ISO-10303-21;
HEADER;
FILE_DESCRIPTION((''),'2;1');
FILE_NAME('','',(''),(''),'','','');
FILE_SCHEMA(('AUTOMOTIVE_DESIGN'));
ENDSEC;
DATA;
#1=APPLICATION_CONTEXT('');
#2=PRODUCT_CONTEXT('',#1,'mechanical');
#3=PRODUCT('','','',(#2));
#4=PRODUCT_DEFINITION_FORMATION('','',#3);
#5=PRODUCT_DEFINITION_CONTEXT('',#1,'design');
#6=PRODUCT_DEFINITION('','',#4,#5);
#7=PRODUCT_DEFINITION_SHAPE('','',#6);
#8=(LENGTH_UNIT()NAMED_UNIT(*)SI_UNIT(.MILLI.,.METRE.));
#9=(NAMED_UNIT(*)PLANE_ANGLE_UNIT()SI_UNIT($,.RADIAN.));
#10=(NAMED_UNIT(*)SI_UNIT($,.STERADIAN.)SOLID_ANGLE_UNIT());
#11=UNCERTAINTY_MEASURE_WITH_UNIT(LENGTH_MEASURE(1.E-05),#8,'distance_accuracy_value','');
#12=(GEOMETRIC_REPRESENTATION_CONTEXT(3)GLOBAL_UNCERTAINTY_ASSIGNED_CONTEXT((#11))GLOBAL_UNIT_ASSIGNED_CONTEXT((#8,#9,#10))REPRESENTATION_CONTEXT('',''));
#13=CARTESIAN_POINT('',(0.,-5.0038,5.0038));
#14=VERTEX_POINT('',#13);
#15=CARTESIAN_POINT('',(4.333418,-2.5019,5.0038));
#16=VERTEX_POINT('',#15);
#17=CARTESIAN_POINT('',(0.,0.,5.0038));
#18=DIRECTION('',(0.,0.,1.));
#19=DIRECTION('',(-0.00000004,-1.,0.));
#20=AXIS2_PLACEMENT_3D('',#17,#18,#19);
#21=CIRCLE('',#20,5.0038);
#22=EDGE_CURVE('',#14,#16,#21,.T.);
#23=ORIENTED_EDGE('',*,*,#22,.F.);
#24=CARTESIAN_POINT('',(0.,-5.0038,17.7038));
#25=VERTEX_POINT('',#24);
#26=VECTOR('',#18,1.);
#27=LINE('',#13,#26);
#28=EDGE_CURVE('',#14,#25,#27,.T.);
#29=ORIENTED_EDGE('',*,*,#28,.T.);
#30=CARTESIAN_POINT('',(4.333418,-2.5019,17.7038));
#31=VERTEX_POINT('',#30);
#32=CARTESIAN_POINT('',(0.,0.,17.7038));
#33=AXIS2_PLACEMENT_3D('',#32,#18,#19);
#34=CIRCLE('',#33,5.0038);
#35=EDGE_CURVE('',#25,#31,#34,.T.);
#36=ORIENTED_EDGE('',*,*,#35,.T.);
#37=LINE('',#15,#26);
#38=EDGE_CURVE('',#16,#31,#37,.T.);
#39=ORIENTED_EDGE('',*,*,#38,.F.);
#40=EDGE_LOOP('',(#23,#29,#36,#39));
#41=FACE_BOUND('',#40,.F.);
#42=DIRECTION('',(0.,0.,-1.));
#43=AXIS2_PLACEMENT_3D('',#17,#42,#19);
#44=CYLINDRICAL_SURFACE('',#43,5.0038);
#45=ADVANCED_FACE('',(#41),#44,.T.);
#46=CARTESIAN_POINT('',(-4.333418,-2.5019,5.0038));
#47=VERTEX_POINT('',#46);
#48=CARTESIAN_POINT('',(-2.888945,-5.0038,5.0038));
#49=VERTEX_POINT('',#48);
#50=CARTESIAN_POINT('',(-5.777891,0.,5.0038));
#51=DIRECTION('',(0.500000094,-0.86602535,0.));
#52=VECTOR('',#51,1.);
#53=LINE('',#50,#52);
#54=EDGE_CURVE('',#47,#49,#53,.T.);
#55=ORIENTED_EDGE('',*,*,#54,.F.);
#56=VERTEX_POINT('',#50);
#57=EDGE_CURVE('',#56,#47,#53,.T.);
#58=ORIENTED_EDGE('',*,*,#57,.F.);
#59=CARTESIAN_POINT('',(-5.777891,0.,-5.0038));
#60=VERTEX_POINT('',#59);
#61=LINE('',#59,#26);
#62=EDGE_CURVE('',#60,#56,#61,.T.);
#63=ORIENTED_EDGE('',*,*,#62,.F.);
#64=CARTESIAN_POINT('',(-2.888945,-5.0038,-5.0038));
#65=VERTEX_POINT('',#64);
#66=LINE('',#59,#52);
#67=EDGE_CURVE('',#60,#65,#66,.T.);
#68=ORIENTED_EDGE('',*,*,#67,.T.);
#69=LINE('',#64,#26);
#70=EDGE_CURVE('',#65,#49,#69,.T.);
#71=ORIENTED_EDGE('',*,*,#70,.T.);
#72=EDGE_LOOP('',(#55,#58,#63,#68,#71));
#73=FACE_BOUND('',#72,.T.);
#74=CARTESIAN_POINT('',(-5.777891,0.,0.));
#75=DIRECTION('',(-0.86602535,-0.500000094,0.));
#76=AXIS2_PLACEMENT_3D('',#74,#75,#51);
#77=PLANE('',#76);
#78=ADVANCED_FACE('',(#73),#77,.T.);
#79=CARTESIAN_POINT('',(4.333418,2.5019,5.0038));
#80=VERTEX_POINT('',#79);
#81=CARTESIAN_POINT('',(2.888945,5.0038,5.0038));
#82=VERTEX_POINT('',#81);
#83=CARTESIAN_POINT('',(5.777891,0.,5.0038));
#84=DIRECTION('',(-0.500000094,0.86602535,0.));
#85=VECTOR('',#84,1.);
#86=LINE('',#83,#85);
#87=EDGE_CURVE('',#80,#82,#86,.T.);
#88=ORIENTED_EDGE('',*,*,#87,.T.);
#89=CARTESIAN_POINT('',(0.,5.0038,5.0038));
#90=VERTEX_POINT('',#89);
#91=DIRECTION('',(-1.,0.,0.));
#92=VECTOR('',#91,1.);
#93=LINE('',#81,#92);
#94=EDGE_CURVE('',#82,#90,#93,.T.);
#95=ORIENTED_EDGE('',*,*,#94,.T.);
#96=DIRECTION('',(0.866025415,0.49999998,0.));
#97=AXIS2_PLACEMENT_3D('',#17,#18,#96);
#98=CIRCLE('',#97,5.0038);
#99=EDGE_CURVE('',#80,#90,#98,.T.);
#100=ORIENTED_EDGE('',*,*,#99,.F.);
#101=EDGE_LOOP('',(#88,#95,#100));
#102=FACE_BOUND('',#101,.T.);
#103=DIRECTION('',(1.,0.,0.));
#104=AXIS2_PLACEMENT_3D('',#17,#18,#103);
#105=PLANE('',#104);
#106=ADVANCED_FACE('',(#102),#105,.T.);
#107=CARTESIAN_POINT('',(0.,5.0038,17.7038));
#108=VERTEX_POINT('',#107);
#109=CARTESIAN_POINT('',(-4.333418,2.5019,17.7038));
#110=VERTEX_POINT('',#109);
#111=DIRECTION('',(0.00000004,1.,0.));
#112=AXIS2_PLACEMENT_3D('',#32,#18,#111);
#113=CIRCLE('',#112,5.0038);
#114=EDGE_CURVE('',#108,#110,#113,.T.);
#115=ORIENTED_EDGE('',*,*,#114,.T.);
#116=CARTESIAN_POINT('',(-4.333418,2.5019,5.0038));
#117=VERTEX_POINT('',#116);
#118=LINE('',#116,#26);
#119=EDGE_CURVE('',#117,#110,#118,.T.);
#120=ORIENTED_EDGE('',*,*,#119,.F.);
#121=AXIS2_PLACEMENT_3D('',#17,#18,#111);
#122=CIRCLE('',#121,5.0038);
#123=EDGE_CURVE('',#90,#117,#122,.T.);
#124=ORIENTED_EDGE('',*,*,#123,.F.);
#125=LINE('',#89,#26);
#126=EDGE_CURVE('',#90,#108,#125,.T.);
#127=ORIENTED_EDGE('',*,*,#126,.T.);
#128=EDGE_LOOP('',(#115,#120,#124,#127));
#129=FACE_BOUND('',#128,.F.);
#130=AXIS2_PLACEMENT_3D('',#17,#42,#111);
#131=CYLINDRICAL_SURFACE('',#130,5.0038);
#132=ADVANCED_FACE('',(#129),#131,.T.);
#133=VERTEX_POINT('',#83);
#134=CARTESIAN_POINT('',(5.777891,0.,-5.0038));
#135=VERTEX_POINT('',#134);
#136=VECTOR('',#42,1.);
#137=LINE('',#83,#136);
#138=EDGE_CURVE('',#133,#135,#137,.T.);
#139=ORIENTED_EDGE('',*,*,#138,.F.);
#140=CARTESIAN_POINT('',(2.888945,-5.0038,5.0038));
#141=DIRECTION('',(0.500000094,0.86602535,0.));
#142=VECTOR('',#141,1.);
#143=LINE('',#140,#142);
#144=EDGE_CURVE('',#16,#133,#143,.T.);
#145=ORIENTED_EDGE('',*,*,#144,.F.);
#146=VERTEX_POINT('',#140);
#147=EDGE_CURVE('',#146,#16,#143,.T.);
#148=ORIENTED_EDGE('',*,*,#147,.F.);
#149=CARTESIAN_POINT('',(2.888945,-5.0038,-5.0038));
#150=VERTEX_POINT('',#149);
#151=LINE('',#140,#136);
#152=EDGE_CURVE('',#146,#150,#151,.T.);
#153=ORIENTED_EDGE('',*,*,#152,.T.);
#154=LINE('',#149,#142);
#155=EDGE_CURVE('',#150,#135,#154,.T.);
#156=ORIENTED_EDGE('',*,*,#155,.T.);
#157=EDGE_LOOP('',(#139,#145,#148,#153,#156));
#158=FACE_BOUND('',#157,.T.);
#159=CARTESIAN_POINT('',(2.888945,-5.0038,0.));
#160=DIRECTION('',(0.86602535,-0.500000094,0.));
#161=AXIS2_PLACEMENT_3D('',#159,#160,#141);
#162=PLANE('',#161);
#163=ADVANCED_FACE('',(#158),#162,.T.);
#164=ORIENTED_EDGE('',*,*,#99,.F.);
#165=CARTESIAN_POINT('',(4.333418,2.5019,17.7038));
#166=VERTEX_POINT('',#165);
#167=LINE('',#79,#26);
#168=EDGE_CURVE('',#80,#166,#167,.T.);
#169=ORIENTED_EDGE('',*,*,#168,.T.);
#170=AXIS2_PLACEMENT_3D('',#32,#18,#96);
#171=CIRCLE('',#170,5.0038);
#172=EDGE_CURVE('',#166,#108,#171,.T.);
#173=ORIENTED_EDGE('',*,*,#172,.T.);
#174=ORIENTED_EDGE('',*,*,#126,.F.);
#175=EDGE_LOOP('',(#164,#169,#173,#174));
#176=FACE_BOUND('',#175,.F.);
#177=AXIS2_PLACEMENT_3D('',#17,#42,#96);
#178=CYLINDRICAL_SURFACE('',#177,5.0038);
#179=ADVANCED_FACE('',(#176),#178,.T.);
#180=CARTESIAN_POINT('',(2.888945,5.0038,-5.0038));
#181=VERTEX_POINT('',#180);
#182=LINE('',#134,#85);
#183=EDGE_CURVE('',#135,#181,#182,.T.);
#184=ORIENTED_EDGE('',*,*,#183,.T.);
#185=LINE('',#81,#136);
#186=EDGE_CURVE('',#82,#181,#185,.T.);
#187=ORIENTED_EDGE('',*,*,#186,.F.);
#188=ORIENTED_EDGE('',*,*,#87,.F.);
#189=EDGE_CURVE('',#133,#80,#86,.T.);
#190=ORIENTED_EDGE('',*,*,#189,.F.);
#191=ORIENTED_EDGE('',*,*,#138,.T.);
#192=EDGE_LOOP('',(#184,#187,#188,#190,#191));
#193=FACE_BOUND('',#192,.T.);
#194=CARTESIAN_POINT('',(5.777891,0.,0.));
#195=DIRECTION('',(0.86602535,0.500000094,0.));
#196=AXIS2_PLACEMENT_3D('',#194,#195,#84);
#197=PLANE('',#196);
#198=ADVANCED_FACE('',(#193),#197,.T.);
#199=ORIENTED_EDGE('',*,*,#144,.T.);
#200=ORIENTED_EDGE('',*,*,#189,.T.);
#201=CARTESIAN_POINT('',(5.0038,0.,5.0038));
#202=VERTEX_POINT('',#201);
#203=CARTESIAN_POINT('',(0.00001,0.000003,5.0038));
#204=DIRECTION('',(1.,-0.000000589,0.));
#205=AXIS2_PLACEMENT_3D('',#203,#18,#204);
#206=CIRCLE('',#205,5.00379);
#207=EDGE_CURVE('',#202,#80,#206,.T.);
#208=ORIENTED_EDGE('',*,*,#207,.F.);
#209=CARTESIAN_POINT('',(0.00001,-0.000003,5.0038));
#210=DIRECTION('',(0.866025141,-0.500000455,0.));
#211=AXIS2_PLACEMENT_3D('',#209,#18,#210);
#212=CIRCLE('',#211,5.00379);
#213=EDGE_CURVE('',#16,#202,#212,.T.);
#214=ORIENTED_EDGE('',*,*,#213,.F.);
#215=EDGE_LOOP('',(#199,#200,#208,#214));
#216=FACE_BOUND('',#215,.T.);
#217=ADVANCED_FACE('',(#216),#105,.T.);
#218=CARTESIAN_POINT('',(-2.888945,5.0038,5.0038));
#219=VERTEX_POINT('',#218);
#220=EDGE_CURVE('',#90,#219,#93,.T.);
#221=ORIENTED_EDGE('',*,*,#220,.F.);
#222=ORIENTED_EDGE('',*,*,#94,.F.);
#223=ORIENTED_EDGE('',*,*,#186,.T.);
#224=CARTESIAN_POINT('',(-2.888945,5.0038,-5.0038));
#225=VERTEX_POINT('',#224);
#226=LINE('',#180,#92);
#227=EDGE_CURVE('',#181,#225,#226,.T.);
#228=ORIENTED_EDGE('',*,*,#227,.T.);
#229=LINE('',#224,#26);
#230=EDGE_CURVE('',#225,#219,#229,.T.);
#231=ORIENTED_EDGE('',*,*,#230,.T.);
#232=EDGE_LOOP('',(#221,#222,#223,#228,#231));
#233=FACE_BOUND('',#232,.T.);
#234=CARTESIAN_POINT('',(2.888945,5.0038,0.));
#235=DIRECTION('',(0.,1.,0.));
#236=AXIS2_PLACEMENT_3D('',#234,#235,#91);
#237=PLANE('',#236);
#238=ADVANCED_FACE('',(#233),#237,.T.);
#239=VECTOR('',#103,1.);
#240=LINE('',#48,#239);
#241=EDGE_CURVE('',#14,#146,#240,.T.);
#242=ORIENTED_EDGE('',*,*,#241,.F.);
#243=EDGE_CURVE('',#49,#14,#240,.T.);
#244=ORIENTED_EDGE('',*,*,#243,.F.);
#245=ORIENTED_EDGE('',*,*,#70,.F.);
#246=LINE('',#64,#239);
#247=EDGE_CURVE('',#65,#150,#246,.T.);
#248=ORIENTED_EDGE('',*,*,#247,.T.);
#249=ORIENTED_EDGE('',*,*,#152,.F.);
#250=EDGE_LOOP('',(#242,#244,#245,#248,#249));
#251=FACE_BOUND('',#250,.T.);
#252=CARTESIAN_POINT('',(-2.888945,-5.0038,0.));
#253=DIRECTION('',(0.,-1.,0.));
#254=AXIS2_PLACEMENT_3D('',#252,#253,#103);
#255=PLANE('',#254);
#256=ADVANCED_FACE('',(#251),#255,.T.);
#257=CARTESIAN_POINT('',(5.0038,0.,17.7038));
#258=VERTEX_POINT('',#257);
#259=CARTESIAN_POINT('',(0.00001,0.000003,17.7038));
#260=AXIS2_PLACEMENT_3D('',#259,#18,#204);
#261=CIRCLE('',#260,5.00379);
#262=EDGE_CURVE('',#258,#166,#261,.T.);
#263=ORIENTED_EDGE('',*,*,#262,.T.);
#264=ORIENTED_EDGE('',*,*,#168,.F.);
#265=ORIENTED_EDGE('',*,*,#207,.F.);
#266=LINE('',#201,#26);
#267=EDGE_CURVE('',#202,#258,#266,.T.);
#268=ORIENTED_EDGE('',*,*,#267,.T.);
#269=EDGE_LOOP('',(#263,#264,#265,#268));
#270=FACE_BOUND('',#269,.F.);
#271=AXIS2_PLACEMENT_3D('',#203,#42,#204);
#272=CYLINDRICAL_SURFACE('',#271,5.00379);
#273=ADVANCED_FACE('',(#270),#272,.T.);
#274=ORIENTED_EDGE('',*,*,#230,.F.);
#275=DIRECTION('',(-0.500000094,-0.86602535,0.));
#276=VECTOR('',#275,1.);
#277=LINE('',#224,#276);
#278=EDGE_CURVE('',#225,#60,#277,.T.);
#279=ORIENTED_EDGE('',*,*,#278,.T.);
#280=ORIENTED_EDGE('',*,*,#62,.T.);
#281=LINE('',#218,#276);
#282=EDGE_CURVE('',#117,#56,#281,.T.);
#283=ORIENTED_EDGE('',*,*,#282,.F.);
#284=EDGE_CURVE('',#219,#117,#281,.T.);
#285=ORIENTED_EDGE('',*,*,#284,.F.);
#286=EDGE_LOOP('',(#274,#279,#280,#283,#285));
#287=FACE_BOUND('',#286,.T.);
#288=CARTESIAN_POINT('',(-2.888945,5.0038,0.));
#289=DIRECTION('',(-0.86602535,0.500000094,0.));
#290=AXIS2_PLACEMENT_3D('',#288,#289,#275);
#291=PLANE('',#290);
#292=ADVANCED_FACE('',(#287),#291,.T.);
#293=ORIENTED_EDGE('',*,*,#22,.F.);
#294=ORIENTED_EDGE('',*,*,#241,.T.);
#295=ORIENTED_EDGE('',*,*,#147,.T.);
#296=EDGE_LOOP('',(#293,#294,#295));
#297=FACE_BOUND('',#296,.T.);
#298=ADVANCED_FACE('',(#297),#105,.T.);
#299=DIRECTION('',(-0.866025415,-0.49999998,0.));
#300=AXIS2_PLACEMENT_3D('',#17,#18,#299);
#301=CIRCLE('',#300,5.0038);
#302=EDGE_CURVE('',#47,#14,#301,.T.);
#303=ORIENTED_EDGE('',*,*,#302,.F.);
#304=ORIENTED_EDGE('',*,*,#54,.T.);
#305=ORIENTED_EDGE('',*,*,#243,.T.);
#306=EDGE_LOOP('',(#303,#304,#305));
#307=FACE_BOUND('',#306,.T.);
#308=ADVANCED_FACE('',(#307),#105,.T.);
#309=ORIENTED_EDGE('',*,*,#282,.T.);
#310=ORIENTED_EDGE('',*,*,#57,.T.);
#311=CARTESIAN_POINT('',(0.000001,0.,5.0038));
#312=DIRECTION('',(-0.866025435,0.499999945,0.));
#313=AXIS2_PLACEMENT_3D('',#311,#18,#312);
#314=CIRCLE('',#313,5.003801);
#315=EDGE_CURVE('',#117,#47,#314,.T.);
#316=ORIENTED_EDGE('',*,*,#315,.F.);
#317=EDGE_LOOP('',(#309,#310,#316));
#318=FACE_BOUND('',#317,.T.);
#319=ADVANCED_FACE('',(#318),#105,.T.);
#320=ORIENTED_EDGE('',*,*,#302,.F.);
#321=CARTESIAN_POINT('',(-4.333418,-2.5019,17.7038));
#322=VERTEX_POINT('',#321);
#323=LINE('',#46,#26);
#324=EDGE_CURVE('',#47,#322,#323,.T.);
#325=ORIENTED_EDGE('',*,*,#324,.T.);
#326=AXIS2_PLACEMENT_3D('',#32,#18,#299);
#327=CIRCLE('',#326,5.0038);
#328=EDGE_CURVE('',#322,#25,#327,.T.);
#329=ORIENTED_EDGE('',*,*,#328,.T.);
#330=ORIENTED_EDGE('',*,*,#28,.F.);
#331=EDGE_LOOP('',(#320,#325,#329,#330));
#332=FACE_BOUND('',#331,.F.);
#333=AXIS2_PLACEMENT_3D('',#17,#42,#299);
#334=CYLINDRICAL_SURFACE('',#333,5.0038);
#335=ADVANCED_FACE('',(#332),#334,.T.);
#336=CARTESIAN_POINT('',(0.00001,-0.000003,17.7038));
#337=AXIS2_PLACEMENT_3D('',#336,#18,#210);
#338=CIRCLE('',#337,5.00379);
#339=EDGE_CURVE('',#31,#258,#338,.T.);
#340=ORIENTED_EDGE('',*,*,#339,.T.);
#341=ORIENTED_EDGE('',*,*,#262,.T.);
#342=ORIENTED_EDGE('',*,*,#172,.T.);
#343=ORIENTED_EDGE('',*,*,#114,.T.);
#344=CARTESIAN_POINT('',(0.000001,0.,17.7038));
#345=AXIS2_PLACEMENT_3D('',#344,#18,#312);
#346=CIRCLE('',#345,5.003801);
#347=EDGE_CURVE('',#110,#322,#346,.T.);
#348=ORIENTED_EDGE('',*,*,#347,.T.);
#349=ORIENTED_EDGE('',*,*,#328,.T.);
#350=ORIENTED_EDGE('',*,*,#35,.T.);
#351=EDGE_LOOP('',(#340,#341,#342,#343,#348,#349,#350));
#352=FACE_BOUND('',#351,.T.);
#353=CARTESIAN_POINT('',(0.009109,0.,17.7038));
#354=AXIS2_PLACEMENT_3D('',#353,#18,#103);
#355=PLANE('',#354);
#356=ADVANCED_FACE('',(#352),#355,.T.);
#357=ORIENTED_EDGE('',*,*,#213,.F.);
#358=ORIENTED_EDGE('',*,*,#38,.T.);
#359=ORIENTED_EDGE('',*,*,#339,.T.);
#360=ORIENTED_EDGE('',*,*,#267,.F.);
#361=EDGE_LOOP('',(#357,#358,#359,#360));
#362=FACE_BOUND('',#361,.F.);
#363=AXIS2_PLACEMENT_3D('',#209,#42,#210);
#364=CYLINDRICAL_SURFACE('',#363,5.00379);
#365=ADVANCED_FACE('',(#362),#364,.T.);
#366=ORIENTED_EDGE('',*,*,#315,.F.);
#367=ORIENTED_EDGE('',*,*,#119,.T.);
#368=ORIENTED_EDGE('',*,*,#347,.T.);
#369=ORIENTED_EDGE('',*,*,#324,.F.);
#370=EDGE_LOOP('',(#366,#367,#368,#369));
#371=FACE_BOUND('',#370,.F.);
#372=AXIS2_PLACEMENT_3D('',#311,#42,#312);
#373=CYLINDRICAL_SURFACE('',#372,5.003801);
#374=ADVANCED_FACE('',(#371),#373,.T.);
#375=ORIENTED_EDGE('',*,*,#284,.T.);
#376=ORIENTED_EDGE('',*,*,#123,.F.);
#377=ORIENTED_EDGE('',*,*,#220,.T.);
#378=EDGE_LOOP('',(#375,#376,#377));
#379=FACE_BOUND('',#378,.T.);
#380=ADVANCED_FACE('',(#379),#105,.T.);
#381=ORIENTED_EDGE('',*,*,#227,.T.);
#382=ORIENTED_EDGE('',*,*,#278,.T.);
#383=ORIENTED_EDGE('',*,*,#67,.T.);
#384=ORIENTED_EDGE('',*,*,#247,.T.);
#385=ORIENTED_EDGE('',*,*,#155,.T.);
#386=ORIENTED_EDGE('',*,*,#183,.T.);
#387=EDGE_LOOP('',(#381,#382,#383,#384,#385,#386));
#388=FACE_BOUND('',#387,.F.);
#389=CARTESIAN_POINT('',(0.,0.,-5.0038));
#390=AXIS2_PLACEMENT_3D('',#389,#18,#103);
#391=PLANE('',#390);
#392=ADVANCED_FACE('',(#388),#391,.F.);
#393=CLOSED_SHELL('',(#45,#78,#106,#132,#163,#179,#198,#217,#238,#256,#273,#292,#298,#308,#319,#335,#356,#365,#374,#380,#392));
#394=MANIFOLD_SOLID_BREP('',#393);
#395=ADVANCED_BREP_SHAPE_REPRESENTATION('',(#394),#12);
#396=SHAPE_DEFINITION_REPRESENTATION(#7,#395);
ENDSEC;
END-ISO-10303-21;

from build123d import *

# Parameters (mm, degrees)
F1_DEPTH = 5.0038
F3_DEPTH = 12.7


with BuildPart() as f1:
    # F0 (on Top) → F1 (new body, symmetric)
    with BuildSketch(Plane.XY):
        Polygon((2.888945, 5.0038), (-2.888945, 5.0038), (-5.777891, 0), (-2.888945, -5.0038), (2.888945, -5.0038), (5.777891, 0), align=None)
    extrude(amount=F1_DEPTH, both=True)

    # F2 (on face) → F3 (join)
    with BuildSketch(Plane.XY.offset(5.0038)):
        with BuildLine():
            ThreePointArc((4.333418, -2.5019), (4.8333, -1.295079), (5.0038, 0))
            ThreePointArc((5.0038, 0), (4.8333, 1.295079), (4.333418, 2.5019))
            ThreePointArc((4.333418, 2.5019), (2.5019, 4.333418), (0, 5.0038))
            ThreePointArc((0, 5.0038), (-2.5019, 4.333418), (-4.333418, 2.5019))
            ThreePointArc((-4.333418, 2.5019), (-5.0038, 0), (-4.333418, -2.5019))
            ThreePointArc((-4.333418, -2.5019), (-2.5019, -4.333418), (0, -5.0038))
            ThreePointArc((0, -5.0038), (2.5019, -4.333418), (4.333418, -2.5019))
        make_face()
    extrude(amount=F3_DEPTH)


solid = f1.part
